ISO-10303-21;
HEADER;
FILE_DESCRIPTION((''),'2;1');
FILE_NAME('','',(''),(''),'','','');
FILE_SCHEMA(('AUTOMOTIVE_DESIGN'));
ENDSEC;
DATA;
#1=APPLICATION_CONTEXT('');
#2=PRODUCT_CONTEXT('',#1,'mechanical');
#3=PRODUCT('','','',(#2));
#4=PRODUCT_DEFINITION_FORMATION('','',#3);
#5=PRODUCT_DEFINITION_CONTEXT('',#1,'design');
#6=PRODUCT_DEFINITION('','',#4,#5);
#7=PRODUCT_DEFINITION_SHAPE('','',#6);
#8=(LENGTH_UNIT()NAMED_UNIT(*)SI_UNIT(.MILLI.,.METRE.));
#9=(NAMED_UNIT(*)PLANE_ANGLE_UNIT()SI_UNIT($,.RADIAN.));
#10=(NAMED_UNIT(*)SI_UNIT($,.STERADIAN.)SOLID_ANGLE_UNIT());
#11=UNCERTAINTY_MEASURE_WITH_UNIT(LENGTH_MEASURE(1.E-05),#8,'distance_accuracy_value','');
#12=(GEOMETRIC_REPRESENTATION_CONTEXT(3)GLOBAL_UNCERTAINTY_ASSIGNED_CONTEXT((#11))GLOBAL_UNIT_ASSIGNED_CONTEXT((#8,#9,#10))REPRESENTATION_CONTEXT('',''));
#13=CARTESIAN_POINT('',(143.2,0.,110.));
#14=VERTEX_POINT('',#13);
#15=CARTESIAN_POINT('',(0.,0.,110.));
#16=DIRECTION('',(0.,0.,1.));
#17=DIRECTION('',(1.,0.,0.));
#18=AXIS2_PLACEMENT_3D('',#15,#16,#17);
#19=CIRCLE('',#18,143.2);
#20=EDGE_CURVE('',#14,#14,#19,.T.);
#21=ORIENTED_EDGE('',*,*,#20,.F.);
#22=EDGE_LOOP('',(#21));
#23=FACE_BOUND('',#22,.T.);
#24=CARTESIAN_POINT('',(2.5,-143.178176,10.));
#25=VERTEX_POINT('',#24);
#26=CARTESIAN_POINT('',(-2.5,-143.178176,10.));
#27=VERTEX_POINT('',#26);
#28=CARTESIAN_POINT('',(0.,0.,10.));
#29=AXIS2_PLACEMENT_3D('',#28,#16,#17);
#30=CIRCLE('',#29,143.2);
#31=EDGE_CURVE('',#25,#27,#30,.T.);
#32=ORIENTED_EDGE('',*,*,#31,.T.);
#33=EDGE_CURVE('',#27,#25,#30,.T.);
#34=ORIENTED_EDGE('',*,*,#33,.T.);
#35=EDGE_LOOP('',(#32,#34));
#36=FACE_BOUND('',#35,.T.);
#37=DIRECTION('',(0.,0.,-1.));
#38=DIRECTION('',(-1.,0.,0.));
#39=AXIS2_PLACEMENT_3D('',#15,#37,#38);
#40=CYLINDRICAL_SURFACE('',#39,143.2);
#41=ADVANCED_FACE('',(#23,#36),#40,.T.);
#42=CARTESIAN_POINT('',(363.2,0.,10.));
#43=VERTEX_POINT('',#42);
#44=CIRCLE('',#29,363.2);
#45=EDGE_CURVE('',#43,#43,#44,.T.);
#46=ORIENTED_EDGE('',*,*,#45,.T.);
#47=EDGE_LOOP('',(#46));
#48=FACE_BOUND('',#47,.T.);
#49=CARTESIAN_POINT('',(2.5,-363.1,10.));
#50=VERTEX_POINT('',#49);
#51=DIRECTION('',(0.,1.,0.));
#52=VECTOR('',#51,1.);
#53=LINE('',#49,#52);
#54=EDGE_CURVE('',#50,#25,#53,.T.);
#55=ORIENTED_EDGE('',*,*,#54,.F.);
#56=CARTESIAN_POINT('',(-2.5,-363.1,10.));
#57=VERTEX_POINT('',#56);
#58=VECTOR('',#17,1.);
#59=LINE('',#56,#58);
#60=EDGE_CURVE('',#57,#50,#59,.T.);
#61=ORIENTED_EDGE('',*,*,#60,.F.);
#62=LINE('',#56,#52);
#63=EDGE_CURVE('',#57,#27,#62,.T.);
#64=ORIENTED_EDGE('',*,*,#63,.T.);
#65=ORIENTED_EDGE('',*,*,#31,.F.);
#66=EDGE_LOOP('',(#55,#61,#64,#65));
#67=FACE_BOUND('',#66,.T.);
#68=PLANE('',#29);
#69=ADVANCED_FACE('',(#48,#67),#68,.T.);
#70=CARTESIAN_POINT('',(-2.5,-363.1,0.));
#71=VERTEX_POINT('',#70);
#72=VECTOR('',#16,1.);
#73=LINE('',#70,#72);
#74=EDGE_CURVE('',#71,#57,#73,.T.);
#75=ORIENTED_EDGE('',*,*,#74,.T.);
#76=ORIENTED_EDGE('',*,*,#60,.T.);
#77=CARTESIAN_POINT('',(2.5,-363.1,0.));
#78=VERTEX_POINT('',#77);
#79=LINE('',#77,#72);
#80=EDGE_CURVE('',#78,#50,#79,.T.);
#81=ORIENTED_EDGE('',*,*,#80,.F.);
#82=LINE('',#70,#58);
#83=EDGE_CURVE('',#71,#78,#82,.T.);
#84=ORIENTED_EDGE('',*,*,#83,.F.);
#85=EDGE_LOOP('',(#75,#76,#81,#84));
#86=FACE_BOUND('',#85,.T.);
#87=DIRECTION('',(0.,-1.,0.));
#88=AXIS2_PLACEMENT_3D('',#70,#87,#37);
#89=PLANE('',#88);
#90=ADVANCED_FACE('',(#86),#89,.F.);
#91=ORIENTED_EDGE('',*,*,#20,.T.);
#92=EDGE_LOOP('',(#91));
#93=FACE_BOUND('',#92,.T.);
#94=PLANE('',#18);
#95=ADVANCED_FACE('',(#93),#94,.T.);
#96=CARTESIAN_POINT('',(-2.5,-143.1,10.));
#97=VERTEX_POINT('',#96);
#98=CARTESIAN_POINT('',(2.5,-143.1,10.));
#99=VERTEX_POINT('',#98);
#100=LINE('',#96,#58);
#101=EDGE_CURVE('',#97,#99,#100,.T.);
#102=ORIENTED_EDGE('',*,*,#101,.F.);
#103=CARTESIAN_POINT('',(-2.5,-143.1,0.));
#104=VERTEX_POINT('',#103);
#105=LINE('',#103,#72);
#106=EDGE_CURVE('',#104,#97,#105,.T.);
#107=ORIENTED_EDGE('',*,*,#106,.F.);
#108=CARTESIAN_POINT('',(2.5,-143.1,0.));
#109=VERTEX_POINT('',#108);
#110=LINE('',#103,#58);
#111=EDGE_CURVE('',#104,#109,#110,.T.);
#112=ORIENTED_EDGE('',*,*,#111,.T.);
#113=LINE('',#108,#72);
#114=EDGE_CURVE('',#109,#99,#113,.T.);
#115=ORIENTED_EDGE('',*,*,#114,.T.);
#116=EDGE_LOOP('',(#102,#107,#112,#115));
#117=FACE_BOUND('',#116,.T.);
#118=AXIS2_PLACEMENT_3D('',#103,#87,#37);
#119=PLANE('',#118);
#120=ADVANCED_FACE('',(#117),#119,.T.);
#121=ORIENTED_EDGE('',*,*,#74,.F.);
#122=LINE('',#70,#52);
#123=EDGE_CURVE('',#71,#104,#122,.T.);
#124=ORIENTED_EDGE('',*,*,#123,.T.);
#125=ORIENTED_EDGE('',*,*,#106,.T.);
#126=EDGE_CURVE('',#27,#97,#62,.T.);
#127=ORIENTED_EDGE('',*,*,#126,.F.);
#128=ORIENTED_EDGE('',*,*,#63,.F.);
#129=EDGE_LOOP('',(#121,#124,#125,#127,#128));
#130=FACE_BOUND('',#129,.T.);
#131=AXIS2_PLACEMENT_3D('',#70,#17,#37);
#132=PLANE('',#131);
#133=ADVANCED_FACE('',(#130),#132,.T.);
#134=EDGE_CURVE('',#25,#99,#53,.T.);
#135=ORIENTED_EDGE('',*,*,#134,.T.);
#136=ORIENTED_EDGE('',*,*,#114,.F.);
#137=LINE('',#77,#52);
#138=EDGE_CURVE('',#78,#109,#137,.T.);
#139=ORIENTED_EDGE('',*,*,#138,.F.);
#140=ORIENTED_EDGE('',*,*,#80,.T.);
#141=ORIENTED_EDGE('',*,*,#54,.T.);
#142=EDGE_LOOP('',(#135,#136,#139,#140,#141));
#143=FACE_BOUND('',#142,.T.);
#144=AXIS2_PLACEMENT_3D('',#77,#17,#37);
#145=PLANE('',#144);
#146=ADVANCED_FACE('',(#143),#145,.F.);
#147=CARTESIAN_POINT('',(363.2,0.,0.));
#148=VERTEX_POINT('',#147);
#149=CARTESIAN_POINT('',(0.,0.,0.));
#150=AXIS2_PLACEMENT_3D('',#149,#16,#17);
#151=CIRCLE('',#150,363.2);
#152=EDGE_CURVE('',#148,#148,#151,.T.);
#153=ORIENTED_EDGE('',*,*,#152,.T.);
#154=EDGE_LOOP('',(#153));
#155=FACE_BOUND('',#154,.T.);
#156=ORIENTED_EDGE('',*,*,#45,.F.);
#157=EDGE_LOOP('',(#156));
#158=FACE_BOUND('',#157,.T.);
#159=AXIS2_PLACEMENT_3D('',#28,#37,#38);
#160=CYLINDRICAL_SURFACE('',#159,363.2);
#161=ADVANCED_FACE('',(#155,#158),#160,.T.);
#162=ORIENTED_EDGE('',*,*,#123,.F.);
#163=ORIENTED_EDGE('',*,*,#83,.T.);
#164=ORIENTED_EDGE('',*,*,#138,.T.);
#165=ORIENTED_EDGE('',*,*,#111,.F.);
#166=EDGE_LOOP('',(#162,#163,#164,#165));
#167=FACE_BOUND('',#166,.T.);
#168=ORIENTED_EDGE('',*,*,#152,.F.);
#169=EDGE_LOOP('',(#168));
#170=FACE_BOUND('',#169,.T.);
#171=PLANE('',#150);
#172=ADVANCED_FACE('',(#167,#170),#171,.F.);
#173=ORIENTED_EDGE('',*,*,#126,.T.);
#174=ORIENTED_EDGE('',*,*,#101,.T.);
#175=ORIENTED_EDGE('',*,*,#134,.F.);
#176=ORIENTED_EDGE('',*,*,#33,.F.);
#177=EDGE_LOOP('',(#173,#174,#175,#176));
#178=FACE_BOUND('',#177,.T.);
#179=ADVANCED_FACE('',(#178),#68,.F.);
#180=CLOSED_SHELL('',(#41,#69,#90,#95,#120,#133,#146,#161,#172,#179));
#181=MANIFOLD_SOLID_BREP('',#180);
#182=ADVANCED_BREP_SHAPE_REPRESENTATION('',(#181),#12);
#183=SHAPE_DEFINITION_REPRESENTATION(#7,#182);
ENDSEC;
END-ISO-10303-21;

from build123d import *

# Parameters (mm, degrees)
ESQUISSE1_R             = 363.2
BOSS_EXTRU_1_DEPTH      = 10
ESQUISSE2_R             = 143.2
BOSS_EXTRU_2_DEPTH      = 100
ESQUISSE4_W             = 5
ESQUISSE4_H             = 220
ENL_V_MAT_EXTRU_1_DEPTH = 524.286231426


with BuildPart() as part:
    # Esquisse1 → Boss.-Extru.1 (new body)
    with BuildSketch(Plane.XY):
        Circle(ESQUISSE1_R)
    extrude(amount=BOSS_EXTRU_1_DEPTH)

    # Esquisse2 → Boss.-Extru.2 (add)
    with BuildSketch(Plane.XY.offset(10)):
        Circle(ESQUISSE2_R)
    extrude(amount=BOSS_EXTRU_2_DEPTH)

    # Esquisse4 → Enlèv. mat.-Extru.1 (cut, through all)
    with BuildSketch(Plane.XY.offset(10)):
        with Locations((0, -253.1)):
            Rectangle(ESQUISSE4_W, ESQUISSE4_H)
    extrude(amount=-ENL_V_MAT_EXTRU_1_DEPTH, mode=Mode.SUBTRACT)


solid = part.part
